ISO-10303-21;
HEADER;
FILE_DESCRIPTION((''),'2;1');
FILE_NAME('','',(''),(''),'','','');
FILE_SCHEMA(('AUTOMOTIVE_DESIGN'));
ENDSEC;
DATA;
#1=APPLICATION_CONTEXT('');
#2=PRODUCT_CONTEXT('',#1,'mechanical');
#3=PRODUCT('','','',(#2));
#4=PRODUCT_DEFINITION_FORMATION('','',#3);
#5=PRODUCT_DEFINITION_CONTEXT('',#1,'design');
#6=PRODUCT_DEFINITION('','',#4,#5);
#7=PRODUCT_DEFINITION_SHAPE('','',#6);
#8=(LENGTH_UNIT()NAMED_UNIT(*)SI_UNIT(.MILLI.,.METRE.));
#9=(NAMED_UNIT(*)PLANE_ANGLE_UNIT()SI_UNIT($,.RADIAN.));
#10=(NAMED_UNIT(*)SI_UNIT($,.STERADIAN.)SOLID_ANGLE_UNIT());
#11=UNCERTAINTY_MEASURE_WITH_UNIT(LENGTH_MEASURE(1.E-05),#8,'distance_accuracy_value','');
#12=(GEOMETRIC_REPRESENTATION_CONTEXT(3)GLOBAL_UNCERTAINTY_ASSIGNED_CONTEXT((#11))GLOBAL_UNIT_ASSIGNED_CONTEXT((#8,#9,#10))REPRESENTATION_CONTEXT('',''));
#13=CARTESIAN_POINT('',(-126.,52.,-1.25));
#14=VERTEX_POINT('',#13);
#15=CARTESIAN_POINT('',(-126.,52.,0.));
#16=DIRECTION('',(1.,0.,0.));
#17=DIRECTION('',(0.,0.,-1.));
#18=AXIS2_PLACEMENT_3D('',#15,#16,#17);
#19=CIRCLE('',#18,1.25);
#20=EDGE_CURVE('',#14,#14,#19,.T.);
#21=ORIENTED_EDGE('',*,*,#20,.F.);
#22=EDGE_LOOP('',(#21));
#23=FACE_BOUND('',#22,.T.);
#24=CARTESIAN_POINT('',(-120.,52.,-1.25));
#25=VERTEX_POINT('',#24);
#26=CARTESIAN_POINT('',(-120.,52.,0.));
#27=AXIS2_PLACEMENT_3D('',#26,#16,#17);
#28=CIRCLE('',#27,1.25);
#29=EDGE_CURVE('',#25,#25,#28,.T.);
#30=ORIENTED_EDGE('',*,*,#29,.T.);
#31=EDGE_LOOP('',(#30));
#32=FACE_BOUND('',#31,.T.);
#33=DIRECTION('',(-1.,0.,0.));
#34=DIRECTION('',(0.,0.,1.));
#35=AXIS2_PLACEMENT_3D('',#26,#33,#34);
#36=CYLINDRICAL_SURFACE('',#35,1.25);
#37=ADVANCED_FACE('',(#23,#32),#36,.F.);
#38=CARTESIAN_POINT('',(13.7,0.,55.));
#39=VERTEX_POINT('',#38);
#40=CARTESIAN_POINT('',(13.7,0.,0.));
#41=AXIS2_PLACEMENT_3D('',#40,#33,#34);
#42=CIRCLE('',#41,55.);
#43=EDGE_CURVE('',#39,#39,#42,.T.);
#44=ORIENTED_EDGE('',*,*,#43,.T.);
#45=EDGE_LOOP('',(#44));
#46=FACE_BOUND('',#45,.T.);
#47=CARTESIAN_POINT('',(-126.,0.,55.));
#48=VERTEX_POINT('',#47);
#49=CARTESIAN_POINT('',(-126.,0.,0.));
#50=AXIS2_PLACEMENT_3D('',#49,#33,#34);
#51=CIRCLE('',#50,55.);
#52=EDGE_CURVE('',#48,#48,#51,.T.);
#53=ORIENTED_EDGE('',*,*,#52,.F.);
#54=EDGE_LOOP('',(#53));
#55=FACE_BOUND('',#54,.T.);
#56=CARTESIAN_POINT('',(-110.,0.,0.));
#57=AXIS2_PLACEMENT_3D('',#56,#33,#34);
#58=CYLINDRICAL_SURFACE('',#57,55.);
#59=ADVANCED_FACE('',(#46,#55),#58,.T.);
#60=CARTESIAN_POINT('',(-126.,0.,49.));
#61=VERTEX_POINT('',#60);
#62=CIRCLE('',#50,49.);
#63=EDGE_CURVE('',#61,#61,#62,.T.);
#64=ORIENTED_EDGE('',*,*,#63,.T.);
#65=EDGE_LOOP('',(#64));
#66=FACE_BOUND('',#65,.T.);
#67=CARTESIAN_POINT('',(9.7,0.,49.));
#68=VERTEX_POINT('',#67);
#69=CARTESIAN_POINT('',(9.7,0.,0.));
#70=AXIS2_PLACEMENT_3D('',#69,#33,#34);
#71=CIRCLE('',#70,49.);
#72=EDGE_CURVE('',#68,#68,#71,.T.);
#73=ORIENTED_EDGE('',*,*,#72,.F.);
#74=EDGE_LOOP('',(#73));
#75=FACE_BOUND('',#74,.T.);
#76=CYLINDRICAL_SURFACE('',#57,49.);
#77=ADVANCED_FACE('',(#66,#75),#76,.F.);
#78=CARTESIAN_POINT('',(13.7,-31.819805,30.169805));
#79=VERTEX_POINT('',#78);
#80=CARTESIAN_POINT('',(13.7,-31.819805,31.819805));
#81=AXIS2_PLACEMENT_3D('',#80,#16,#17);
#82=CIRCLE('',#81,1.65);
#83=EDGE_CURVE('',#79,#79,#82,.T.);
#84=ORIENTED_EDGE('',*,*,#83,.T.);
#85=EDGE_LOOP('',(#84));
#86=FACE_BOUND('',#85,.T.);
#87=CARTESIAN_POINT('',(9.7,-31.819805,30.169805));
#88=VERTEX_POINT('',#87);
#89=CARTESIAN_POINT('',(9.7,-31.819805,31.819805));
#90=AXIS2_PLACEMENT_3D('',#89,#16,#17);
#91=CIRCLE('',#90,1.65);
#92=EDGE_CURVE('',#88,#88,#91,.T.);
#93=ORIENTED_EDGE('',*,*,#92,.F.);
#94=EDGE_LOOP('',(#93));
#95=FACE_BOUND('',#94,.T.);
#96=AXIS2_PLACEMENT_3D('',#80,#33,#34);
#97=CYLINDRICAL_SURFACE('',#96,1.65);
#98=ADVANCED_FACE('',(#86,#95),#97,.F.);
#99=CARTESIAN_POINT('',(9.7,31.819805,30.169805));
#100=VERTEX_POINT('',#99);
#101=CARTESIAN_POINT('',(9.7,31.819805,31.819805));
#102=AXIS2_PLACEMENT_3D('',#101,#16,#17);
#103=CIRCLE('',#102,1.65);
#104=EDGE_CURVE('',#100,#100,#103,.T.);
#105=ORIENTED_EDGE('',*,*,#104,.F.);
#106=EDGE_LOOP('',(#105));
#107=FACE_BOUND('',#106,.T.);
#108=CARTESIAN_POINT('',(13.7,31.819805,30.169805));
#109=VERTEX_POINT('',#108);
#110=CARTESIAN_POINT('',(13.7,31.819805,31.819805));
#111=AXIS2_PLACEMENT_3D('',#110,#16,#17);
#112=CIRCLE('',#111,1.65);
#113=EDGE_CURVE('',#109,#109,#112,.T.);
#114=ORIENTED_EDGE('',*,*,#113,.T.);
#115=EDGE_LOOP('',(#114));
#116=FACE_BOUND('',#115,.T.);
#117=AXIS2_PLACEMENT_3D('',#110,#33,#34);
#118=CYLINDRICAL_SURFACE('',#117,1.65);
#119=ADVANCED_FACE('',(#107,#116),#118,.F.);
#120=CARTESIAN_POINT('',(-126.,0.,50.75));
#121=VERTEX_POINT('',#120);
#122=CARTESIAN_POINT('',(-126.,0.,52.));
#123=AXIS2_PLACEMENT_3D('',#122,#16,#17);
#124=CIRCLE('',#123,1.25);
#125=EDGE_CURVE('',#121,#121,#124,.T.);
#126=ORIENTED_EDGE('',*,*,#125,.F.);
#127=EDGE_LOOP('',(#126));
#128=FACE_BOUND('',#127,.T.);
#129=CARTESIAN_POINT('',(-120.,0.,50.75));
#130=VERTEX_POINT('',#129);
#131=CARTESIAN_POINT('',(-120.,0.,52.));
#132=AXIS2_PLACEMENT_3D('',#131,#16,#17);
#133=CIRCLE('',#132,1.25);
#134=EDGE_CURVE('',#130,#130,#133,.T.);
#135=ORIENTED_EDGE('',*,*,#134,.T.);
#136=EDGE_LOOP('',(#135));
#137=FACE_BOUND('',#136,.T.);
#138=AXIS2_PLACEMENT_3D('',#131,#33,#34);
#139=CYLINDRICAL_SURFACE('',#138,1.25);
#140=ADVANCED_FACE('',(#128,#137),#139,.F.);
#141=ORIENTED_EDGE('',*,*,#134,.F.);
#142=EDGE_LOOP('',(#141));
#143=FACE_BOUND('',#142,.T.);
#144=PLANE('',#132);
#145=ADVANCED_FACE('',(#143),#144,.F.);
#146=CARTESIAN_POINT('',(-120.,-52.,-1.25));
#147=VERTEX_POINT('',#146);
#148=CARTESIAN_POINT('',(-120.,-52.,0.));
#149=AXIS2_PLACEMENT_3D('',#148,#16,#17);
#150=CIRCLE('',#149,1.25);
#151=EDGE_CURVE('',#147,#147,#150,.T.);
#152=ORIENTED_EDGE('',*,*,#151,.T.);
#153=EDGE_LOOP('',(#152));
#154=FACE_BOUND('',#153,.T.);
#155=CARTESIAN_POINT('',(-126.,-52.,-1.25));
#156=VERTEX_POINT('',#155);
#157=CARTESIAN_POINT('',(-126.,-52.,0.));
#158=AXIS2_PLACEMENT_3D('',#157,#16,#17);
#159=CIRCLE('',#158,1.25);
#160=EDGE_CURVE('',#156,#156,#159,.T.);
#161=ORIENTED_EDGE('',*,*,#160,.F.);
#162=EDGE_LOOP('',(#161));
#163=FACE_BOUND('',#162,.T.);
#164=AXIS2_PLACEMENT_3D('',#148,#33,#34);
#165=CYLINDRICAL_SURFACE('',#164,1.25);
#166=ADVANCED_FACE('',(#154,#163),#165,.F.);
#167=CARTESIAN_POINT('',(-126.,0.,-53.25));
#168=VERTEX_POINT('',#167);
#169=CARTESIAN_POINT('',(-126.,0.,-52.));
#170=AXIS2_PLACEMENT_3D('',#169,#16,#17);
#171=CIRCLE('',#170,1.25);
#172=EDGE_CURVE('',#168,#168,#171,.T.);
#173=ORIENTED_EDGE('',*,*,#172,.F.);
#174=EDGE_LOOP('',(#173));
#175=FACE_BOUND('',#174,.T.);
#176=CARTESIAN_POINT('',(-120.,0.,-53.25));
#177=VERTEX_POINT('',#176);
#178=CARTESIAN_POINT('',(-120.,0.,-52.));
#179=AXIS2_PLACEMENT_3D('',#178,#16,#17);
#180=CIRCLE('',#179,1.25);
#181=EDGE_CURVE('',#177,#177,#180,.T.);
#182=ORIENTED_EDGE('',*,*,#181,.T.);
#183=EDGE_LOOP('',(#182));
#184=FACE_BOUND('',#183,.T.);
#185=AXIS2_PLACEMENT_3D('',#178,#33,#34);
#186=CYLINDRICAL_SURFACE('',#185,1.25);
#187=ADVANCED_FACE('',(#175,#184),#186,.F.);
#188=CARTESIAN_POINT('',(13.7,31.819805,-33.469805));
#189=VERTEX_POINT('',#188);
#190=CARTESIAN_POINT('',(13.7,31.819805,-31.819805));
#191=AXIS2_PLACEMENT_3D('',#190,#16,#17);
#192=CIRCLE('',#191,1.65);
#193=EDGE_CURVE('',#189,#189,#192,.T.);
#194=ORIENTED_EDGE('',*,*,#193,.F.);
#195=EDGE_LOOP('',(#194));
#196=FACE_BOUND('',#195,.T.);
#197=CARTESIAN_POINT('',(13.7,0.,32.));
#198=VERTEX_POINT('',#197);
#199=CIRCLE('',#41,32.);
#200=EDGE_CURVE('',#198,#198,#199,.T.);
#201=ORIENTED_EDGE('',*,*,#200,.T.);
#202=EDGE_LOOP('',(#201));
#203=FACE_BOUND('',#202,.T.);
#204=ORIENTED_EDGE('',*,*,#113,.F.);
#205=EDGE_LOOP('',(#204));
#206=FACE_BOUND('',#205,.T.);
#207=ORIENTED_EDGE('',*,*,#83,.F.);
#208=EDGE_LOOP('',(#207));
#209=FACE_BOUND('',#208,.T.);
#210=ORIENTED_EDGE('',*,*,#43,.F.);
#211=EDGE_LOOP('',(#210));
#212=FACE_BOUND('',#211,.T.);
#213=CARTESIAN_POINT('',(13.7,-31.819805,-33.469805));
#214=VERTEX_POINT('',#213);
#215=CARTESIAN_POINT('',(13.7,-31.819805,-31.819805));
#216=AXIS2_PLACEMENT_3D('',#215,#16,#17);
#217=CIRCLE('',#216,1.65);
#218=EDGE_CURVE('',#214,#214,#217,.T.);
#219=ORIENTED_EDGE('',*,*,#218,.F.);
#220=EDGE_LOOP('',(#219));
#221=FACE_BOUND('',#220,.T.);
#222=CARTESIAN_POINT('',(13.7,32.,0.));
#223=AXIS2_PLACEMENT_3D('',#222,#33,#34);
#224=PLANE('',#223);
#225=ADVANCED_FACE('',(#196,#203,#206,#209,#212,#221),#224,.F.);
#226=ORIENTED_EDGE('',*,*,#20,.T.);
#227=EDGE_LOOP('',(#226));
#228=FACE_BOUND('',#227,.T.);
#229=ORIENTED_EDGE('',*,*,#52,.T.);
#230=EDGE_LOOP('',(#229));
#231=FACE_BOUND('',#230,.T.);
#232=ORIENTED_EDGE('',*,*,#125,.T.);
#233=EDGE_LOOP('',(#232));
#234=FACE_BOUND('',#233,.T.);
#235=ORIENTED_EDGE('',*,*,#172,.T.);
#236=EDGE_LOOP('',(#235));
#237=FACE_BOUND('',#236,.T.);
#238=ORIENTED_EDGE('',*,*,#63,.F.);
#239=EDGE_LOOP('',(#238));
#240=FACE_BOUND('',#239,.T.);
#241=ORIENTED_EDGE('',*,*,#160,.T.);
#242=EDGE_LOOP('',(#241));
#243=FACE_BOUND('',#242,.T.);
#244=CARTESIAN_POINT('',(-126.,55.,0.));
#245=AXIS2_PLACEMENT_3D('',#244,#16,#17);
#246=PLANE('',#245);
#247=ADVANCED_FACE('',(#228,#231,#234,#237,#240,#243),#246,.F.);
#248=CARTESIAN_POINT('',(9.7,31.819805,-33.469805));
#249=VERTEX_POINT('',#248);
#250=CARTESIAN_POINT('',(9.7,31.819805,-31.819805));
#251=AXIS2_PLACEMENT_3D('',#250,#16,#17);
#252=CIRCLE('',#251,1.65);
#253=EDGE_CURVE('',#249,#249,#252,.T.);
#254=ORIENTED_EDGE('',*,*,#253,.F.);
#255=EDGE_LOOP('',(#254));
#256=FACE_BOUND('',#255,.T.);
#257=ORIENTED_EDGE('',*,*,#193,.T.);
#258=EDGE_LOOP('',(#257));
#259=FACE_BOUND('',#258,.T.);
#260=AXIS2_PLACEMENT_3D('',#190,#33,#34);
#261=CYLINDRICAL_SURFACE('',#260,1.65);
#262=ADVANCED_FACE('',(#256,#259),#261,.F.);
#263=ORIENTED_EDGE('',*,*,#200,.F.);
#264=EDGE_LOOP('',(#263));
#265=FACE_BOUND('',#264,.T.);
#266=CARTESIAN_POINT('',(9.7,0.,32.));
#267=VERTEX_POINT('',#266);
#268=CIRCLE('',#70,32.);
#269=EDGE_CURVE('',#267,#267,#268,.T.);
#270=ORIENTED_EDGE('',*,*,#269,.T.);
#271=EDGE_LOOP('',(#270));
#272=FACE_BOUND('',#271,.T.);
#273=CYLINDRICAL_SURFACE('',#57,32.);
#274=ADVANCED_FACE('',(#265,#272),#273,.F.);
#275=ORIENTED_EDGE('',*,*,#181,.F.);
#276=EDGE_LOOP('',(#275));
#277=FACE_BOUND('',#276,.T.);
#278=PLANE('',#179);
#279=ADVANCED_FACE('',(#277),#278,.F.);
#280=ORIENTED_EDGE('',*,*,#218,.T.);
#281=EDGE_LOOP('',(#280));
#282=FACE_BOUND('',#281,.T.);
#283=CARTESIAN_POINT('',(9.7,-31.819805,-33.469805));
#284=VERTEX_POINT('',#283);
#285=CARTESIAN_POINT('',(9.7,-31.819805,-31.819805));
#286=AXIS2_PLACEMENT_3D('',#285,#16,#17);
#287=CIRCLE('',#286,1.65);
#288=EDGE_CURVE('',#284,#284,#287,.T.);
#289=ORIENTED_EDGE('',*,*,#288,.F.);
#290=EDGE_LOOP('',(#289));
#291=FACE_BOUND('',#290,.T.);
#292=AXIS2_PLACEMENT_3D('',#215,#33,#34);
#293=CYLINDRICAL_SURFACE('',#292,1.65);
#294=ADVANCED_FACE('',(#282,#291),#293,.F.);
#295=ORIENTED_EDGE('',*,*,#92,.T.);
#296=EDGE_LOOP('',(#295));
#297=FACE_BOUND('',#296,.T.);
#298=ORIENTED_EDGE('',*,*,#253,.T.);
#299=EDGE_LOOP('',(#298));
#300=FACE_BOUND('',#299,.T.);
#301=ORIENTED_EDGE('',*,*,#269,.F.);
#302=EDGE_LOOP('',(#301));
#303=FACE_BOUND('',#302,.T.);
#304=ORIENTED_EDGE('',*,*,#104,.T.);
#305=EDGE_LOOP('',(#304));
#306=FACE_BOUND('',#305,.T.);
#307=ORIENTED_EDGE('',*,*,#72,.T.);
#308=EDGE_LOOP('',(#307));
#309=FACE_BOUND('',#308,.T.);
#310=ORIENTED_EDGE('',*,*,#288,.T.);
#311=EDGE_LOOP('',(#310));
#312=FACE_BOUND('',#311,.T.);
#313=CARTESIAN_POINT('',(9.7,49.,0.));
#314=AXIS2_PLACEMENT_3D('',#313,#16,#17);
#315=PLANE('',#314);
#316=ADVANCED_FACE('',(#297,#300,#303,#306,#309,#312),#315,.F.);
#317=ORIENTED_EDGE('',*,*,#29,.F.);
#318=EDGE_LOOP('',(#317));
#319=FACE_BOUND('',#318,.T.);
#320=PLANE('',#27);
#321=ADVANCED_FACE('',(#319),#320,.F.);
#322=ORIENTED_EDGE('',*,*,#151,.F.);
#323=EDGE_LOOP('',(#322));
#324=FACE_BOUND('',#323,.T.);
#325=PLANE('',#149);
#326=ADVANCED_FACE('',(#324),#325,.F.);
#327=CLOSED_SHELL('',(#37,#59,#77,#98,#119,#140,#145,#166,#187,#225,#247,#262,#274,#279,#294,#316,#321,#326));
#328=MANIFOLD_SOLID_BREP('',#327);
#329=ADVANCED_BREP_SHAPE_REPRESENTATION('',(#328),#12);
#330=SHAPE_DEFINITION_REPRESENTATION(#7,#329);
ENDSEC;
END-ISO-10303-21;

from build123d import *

# Parameters (mm, degrees)
AXIAL_START        = 9.7
SKETCH2_R          = 1.65
AXIAL_HOLES_DEPTH  = 4
CUT_EXTRUDE2_START = -126
SKETCH3_R          = 1.25
CUT_EXTRUDE2_DEPTH = 6


with BuildPart() as part:
    # Axial profile (mm) → Full revolution (revolve)
    with BuildSketch(Plane.XY, mode=Mode.PRIVATE) as full_revolution_sk:
        Polygon((-126, 49), (9.7, 49), (9.7, 32), (13.7, 32), (13.7, 55), (-126, 55), align=None)
    revolve(full_revolution_sk.sketch.rotate(Axis((-110, 0, 0), (1, 0, 0)), 90), axis=Axis((-110, 0, 0), (1, 0, 0)))

    # Sketch2 → Axial holes (cut)
    with BuildSketch(Plane(origin=(0, 0, 0), x_dir=(0, 0, -1), z_dir=(1, 0, 0)).offset(AXIAL_START)):
        with Locations((-31.819805153, 31.819805153)):
            Circle(SKETCH2_R)
        with Locations((-31.819805153, -31.819805153)):
            Circle(SKETCH2_R)
        with Locations((31.819805153, -31.819805153)):
            Circle(SKETCH2_R)
        with Locations((31.819805153, 31.819805153)):
            Circle(SKETCH2_R)
    extrude(amount=AXIAL_HOLES_DEPTH, mode=Mode.SUBTRACT)

    # Sketch3 → Cut-Extrude2 (cut)
    with BuildSketch(Plane(origin=(0, 0, 0), x_dir=(0, 0, -1), z_dir=(1, 0, 0)).offset(CUT_EXTRUDE2_START)):
        with Locations((0, 52)):
            Circle(SKETCH3_R)
        with Locations((-52, 0)):
            Circle(SKETCH3_R)
        with Locations((0, -52)):
            Circle(SKETCH3_R)
        with Locations((52, 0)):
            Circle(SKETCH3_R)
    extrude(amount=CUT_EXTRUDE2_DEPTH, mode=Mode.SUBTRACT)


solid = part.part
